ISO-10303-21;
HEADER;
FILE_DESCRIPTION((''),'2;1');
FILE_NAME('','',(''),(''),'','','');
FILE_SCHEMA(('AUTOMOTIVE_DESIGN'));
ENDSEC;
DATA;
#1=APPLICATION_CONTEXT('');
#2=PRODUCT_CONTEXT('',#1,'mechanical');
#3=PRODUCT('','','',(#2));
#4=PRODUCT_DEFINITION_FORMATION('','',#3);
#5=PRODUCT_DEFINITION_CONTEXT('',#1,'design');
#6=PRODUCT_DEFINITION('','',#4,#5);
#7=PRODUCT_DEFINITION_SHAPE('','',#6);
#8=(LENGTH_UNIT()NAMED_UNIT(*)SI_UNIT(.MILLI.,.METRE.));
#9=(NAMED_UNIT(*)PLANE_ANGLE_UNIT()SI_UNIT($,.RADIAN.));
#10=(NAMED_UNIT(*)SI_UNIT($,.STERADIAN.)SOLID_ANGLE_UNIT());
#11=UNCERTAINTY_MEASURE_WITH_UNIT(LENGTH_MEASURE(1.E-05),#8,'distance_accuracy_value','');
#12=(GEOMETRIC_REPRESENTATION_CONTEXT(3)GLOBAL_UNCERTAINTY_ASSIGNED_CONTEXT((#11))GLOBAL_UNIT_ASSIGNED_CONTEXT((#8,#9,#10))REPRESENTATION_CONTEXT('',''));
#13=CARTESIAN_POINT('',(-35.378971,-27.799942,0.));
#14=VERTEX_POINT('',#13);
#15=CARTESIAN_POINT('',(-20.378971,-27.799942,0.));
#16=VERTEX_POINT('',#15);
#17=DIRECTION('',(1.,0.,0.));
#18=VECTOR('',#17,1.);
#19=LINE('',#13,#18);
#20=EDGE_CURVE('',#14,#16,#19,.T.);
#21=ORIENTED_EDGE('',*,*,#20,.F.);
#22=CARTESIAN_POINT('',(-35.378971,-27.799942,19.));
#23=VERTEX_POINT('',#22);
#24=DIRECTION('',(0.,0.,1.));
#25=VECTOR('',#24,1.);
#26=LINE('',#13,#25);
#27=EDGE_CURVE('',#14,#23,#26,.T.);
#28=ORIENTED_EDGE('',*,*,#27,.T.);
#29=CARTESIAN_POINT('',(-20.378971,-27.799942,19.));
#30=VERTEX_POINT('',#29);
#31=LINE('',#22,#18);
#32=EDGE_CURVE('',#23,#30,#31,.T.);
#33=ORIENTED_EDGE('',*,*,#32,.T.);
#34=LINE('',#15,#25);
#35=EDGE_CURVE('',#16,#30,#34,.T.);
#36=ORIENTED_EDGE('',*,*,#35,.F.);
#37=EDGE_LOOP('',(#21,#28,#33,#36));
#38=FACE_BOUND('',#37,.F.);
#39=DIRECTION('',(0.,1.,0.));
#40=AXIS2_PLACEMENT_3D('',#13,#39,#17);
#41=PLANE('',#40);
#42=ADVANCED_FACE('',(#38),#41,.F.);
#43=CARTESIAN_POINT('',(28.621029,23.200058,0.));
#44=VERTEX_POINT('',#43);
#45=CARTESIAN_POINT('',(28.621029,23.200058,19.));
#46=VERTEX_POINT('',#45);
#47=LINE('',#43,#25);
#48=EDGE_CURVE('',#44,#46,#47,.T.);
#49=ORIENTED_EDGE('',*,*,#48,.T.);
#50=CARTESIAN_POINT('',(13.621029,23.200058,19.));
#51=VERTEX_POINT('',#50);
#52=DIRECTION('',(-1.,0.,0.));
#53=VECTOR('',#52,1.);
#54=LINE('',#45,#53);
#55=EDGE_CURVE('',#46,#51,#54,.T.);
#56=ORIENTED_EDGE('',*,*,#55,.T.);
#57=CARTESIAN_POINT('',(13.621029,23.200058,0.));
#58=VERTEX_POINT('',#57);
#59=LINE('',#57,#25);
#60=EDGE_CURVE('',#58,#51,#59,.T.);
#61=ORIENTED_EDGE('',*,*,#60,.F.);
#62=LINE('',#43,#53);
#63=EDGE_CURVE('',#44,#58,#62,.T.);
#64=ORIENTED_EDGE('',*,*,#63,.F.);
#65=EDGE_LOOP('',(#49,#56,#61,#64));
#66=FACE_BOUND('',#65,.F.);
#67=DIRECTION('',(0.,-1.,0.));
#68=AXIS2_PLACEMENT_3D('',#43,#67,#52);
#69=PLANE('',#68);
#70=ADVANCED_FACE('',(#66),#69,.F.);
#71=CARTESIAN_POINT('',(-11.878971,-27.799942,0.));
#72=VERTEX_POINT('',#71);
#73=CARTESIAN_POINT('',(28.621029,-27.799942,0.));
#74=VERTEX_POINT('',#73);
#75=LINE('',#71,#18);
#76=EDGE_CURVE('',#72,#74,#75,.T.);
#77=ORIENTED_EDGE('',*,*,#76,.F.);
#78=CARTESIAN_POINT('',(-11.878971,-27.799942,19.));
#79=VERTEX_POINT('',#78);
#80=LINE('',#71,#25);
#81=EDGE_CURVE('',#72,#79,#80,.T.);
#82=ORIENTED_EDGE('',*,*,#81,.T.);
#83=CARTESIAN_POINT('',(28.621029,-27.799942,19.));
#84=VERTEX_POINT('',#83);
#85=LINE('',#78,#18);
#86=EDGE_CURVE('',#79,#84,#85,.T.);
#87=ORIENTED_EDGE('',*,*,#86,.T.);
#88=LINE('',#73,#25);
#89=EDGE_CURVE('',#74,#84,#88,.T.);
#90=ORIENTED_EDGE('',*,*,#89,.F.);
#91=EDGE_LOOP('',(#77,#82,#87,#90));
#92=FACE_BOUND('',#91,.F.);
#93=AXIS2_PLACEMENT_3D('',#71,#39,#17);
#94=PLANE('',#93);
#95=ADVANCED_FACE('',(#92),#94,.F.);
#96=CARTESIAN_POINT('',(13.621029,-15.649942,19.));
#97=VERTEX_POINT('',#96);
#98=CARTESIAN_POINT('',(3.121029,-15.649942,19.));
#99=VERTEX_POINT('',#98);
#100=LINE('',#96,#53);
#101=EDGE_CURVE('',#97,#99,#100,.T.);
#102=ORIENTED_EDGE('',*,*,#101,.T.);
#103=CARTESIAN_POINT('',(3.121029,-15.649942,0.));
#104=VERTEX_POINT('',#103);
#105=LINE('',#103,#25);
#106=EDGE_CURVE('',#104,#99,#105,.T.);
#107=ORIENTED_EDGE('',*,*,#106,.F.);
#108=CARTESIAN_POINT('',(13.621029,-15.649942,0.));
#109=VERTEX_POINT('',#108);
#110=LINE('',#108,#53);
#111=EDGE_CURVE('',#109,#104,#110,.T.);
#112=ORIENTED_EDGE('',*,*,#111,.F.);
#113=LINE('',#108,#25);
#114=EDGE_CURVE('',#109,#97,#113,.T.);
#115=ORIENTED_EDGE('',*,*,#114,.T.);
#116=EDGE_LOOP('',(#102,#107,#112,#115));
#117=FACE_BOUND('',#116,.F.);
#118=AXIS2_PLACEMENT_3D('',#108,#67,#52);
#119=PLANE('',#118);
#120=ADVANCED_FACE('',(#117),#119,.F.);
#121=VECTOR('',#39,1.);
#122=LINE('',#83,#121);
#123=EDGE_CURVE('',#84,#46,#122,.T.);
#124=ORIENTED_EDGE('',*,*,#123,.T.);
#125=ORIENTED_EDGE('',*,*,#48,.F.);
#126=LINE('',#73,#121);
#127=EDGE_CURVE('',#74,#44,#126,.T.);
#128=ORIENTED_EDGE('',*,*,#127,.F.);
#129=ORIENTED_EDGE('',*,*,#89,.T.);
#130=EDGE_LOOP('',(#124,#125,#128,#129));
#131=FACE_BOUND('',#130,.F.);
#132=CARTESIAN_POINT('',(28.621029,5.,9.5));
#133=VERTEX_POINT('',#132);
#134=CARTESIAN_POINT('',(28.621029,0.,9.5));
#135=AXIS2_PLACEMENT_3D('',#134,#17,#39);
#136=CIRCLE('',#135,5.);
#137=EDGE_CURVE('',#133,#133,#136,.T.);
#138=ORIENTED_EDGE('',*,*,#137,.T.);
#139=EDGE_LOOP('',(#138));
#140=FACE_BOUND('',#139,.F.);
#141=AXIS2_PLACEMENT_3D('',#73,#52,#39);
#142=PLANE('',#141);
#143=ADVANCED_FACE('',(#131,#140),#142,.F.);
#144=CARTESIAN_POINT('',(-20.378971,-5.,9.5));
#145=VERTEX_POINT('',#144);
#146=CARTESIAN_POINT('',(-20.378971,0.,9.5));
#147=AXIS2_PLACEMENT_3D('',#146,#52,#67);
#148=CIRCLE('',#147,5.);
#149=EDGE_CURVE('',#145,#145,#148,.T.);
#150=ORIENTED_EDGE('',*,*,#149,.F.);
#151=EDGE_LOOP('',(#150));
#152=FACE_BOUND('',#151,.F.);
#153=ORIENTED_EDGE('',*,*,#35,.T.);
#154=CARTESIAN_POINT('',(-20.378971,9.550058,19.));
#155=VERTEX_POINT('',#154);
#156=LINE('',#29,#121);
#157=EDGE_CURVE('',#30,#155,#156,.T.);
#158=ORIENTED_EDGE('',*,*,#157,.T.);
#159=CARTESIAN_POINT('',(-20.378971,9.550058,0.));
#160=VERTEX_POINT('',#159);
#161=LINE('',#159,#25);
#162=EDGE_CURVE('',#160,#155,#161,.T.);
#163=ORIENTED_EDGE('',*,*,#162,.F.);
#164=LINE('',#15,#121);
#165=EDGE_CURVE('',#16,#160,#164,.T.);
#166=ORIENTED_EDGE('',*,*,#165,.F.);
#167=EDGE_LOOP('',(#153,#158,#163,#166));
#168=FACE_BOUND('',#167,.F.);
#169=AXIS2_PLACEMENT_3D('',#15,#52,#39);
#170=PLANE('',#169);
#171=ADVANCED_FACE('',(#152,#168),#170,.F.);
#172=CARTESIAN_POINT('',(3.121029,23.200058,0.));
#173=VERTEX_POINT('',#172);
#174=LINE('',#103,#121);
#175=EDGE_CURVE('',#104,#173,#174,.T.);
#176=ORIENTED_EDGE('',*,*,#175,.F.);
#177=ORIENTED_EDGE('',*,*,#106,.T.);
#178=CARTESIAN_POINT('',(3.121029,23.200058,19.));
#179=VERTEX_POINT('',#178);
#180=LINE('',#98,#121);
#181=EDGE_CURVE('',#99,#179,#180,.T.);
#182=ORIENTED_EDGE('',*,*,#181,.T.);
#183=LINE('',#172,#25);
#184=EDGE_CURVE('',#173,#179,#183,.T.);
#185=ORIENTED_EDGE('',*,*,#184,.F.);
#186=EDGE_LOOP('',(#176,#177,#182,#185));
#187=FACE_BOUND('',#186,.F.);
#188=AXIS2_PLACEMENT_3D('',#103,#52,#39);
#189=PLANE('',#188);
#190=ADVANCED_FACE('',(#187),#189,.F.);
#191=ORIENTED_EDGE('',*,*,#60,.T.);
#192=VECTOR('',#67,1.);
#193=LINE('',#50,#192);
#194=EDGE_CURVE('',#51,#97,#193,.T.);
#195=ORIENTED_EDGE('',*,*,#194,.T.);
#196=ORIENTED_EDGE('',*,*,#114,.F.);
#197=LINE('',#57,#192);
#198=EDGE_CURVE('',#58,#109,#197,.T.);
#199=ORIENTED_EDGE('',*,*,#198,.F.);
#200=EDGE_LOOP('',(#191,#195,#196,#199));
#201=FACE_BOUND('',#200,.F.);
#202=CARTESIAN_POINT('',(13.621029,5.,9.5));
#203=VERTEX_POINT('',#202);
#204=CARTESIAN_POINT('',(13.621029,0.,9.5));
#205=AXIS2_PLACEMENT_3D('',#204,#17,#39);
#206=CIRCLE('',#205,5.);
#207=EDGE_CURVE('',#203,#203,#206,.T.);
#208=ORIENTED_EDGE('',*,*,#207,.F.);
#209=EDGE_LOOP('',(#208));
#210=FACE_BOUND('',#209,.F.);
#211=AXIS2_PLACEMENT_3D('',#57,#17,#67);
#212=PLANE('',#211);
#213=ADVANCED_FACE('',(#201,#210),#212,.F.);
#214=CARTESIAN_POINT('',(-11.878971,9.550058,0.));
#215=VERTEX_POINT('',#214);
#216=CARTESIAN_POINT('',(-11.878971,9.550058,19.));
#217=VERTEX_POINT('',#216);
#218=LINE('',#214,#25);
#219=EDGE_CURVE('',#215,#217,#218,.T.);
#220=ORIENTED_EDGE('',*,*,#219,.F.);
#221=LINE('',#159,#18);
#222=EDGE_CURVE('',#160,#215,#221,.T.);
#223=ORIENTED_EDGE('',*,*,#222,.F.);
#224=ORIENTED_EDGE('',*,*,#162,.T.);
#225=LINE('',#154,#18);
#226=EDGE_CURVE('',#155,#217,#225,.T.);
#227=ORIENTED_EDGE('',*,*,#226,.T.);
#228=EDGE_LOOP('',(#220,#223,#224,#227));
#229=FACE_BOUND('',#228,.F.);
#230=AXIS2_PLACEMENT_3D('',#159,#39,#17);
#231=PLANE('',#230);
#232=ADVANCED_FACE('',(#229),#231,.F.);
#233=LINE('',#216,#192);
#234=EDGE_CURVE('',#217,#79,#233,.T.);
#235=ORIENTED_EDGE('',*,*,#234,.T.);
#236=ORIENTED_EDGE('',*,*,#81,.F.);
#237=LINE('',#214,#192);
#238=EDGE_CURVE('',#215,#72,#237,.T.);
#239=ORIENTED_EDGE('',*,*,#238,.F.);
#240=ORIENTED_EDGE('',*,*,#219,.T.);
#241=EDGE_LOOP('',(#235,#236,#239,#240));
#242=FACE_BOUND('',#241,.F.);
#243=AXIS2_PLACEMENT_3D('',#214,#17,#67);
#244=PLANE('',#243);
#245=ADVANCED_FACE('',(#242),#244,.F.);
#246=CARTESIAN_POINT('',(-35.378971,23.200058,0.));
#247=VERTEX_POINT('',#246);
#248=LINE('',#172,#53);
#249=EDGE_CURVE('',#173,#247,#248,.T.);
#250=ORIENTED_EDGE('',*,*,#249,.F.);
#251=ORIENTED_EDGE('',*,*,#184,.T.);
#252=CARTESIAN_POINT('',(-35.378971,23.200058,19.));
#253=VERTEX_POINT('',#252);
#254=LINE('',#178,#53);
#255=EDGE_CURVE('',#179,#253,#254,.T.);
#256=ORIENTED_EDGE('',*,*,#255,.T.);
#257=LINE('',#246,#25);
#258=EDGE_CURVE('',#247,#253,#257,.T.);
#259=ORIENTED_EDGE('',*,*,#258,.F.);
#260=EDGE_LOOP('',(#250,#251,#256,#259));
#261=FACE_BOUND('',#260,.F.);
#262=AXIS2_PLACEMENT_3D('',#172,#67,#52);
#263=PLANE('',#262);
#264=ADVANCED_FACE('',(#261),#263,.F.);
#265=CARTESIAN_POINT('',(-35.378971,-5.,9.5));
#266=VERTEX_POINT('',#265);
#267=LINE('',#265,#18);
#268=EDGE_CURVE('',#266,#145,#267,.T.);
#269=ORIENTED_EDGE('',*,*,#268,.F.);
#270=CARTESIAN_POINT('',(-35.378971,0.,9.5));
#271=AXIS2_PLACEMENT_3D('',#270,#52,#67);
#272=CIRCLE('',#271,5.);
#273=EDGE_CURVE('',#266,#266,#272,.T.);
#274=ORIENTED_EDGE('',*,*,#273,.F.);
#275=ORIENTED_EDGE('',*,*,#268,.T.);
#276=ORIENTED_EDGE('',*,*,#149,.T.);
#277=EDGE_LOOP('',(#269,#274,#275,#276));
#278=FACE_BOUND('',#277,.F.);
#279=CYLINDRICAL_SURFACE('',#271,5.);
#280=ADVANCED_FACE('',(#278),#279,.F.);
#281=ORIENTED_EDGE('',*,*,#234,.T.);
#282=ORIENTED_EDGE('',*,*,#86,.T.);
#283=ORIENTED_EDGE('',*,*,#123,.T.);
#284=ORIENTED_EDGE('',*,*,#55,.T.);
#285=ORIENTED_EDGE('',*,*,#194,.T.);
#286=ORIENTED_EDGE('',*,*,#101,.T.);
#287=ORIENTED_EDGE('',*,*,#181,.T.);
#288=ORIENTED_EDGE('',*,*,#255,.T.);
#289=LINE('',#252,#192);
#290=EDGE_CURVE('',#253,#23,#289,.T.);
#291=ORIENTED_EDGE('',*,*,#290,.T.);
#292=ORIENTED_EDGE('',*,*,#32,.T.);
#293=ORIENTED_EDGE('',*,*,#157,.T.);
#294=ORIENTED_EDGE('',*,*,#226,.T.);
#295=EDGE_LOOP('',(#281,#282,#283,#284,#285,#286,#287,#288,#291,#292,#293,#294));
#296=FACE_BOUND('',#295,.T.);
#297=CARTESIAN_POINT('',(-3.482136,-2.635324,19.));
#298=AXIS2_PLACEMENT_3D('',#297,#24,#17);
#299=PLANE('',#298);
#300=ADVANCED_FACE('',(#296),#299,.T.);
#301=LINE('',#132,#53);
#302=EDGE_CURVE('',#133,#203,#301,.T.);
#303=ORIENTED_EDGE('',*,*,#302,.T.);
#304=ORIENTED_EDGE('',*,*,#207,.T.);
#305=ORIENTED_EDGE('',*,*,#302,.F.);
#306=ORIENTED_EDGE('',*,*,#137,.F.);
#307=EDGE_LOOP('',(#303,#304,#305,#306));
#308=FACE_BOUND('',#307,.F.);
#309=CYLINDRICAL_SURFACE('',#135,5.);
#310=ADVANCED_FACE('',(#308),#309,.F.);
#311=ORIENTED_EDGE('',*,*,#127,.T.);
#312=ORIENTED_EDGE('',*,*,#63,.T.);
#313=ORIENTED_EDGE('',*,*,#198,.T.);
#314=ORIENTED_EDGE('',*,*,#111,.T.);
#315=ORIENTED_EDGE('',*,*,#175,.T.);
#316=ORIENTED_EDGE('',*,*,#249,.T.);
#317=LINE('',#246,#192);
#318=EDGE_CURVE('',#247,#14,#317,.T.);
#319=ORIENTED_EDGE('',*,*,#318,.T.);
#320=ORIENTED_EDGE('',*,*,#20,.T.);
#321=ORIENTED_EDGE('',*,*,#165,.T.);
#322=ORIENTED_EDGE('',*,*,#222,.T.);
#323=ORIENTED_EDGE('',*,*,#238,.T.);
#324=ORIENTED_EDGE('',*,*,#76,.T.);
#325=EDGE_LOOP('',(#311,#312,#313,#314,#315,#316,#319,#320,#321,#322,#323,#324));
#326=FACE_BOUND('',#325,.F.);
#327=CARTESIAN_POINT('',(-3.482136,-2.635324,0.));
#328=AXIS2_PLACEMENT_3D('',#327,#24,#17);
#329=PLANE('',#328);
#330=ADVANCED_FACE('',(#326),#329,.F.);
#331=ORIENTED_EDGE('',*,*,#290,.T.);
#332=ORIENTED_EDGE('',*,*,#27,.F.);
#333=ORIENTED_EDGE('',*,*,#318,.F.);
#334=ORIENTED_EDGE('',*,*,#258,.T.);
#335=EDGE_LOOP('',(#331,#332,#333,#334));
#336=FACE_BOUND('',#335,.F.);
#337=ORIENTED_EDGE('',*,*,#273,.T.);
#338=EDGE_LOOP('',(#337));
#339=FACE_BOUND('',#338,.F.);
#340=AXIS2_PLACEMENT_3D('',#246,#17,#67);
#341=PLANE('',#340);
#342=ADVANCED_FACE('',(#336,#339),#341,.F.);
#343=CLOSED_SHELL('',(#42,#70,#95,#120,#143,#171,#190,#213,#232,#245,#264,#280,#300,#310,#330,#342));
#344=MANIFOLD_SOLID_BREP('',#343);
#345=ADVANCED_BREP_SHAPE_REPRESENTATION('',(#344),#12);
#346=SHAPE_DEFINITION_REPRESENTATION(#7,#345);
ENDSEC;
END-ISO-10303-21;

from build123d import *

# Parameters (mm, degrees)
F1_DEPTH = 19
F3_R     = 5
F4_DEPTH = 16
F6_R     = 5
F7_DEPTH = 16


with BuildPart() as f1:
    # F0 (on Top) → F1 (new body)
    with BuildSketch(Plane.XY):
        Polygon((3.1210286321, 23.2000579238), (-35.3789713679, 23.2000579238), (-35.3789713679, -27.7999420762), (-20.3789713679, -27.7999420762), (-20.3789713679, 9.5500578434), (-11.8789713679, 9.5500578434), (-11.8789713679, -27.7999420762), (28.6210286321, -27.7999420762), (28.6210286321, 23.2000579238), (13.6210286321, 23.2000579238), (13.6210286321, -15.6499421298), (3.1210286321, -15.6499421298), align=None)
    extrude(amount=F1_DEPTH)

    # F3 (on offset) → F4 (cut)
    with BuildSketch(Plane.YZ.offset(28.6210286321)):
        with Locations((0, 9.5)):
            Circle(F3_R)
    extrude(amount=-F4_DEPTH, mode=Mode.SUBTRACT)

    # F6 (on offset) → F7 (cut)
    with BuildSketch(Plane(origin=(-35.3789713679, 0, 0), x_dir=(0, -1, 0), z_dir=(-1, 0, 0))):
        with Locations((0, 9.5)):
            Circle(F6_R)
    extrude(amount=-F7_DEPTH, mode=Mode.SUBTRACT)


solid = f1.part
